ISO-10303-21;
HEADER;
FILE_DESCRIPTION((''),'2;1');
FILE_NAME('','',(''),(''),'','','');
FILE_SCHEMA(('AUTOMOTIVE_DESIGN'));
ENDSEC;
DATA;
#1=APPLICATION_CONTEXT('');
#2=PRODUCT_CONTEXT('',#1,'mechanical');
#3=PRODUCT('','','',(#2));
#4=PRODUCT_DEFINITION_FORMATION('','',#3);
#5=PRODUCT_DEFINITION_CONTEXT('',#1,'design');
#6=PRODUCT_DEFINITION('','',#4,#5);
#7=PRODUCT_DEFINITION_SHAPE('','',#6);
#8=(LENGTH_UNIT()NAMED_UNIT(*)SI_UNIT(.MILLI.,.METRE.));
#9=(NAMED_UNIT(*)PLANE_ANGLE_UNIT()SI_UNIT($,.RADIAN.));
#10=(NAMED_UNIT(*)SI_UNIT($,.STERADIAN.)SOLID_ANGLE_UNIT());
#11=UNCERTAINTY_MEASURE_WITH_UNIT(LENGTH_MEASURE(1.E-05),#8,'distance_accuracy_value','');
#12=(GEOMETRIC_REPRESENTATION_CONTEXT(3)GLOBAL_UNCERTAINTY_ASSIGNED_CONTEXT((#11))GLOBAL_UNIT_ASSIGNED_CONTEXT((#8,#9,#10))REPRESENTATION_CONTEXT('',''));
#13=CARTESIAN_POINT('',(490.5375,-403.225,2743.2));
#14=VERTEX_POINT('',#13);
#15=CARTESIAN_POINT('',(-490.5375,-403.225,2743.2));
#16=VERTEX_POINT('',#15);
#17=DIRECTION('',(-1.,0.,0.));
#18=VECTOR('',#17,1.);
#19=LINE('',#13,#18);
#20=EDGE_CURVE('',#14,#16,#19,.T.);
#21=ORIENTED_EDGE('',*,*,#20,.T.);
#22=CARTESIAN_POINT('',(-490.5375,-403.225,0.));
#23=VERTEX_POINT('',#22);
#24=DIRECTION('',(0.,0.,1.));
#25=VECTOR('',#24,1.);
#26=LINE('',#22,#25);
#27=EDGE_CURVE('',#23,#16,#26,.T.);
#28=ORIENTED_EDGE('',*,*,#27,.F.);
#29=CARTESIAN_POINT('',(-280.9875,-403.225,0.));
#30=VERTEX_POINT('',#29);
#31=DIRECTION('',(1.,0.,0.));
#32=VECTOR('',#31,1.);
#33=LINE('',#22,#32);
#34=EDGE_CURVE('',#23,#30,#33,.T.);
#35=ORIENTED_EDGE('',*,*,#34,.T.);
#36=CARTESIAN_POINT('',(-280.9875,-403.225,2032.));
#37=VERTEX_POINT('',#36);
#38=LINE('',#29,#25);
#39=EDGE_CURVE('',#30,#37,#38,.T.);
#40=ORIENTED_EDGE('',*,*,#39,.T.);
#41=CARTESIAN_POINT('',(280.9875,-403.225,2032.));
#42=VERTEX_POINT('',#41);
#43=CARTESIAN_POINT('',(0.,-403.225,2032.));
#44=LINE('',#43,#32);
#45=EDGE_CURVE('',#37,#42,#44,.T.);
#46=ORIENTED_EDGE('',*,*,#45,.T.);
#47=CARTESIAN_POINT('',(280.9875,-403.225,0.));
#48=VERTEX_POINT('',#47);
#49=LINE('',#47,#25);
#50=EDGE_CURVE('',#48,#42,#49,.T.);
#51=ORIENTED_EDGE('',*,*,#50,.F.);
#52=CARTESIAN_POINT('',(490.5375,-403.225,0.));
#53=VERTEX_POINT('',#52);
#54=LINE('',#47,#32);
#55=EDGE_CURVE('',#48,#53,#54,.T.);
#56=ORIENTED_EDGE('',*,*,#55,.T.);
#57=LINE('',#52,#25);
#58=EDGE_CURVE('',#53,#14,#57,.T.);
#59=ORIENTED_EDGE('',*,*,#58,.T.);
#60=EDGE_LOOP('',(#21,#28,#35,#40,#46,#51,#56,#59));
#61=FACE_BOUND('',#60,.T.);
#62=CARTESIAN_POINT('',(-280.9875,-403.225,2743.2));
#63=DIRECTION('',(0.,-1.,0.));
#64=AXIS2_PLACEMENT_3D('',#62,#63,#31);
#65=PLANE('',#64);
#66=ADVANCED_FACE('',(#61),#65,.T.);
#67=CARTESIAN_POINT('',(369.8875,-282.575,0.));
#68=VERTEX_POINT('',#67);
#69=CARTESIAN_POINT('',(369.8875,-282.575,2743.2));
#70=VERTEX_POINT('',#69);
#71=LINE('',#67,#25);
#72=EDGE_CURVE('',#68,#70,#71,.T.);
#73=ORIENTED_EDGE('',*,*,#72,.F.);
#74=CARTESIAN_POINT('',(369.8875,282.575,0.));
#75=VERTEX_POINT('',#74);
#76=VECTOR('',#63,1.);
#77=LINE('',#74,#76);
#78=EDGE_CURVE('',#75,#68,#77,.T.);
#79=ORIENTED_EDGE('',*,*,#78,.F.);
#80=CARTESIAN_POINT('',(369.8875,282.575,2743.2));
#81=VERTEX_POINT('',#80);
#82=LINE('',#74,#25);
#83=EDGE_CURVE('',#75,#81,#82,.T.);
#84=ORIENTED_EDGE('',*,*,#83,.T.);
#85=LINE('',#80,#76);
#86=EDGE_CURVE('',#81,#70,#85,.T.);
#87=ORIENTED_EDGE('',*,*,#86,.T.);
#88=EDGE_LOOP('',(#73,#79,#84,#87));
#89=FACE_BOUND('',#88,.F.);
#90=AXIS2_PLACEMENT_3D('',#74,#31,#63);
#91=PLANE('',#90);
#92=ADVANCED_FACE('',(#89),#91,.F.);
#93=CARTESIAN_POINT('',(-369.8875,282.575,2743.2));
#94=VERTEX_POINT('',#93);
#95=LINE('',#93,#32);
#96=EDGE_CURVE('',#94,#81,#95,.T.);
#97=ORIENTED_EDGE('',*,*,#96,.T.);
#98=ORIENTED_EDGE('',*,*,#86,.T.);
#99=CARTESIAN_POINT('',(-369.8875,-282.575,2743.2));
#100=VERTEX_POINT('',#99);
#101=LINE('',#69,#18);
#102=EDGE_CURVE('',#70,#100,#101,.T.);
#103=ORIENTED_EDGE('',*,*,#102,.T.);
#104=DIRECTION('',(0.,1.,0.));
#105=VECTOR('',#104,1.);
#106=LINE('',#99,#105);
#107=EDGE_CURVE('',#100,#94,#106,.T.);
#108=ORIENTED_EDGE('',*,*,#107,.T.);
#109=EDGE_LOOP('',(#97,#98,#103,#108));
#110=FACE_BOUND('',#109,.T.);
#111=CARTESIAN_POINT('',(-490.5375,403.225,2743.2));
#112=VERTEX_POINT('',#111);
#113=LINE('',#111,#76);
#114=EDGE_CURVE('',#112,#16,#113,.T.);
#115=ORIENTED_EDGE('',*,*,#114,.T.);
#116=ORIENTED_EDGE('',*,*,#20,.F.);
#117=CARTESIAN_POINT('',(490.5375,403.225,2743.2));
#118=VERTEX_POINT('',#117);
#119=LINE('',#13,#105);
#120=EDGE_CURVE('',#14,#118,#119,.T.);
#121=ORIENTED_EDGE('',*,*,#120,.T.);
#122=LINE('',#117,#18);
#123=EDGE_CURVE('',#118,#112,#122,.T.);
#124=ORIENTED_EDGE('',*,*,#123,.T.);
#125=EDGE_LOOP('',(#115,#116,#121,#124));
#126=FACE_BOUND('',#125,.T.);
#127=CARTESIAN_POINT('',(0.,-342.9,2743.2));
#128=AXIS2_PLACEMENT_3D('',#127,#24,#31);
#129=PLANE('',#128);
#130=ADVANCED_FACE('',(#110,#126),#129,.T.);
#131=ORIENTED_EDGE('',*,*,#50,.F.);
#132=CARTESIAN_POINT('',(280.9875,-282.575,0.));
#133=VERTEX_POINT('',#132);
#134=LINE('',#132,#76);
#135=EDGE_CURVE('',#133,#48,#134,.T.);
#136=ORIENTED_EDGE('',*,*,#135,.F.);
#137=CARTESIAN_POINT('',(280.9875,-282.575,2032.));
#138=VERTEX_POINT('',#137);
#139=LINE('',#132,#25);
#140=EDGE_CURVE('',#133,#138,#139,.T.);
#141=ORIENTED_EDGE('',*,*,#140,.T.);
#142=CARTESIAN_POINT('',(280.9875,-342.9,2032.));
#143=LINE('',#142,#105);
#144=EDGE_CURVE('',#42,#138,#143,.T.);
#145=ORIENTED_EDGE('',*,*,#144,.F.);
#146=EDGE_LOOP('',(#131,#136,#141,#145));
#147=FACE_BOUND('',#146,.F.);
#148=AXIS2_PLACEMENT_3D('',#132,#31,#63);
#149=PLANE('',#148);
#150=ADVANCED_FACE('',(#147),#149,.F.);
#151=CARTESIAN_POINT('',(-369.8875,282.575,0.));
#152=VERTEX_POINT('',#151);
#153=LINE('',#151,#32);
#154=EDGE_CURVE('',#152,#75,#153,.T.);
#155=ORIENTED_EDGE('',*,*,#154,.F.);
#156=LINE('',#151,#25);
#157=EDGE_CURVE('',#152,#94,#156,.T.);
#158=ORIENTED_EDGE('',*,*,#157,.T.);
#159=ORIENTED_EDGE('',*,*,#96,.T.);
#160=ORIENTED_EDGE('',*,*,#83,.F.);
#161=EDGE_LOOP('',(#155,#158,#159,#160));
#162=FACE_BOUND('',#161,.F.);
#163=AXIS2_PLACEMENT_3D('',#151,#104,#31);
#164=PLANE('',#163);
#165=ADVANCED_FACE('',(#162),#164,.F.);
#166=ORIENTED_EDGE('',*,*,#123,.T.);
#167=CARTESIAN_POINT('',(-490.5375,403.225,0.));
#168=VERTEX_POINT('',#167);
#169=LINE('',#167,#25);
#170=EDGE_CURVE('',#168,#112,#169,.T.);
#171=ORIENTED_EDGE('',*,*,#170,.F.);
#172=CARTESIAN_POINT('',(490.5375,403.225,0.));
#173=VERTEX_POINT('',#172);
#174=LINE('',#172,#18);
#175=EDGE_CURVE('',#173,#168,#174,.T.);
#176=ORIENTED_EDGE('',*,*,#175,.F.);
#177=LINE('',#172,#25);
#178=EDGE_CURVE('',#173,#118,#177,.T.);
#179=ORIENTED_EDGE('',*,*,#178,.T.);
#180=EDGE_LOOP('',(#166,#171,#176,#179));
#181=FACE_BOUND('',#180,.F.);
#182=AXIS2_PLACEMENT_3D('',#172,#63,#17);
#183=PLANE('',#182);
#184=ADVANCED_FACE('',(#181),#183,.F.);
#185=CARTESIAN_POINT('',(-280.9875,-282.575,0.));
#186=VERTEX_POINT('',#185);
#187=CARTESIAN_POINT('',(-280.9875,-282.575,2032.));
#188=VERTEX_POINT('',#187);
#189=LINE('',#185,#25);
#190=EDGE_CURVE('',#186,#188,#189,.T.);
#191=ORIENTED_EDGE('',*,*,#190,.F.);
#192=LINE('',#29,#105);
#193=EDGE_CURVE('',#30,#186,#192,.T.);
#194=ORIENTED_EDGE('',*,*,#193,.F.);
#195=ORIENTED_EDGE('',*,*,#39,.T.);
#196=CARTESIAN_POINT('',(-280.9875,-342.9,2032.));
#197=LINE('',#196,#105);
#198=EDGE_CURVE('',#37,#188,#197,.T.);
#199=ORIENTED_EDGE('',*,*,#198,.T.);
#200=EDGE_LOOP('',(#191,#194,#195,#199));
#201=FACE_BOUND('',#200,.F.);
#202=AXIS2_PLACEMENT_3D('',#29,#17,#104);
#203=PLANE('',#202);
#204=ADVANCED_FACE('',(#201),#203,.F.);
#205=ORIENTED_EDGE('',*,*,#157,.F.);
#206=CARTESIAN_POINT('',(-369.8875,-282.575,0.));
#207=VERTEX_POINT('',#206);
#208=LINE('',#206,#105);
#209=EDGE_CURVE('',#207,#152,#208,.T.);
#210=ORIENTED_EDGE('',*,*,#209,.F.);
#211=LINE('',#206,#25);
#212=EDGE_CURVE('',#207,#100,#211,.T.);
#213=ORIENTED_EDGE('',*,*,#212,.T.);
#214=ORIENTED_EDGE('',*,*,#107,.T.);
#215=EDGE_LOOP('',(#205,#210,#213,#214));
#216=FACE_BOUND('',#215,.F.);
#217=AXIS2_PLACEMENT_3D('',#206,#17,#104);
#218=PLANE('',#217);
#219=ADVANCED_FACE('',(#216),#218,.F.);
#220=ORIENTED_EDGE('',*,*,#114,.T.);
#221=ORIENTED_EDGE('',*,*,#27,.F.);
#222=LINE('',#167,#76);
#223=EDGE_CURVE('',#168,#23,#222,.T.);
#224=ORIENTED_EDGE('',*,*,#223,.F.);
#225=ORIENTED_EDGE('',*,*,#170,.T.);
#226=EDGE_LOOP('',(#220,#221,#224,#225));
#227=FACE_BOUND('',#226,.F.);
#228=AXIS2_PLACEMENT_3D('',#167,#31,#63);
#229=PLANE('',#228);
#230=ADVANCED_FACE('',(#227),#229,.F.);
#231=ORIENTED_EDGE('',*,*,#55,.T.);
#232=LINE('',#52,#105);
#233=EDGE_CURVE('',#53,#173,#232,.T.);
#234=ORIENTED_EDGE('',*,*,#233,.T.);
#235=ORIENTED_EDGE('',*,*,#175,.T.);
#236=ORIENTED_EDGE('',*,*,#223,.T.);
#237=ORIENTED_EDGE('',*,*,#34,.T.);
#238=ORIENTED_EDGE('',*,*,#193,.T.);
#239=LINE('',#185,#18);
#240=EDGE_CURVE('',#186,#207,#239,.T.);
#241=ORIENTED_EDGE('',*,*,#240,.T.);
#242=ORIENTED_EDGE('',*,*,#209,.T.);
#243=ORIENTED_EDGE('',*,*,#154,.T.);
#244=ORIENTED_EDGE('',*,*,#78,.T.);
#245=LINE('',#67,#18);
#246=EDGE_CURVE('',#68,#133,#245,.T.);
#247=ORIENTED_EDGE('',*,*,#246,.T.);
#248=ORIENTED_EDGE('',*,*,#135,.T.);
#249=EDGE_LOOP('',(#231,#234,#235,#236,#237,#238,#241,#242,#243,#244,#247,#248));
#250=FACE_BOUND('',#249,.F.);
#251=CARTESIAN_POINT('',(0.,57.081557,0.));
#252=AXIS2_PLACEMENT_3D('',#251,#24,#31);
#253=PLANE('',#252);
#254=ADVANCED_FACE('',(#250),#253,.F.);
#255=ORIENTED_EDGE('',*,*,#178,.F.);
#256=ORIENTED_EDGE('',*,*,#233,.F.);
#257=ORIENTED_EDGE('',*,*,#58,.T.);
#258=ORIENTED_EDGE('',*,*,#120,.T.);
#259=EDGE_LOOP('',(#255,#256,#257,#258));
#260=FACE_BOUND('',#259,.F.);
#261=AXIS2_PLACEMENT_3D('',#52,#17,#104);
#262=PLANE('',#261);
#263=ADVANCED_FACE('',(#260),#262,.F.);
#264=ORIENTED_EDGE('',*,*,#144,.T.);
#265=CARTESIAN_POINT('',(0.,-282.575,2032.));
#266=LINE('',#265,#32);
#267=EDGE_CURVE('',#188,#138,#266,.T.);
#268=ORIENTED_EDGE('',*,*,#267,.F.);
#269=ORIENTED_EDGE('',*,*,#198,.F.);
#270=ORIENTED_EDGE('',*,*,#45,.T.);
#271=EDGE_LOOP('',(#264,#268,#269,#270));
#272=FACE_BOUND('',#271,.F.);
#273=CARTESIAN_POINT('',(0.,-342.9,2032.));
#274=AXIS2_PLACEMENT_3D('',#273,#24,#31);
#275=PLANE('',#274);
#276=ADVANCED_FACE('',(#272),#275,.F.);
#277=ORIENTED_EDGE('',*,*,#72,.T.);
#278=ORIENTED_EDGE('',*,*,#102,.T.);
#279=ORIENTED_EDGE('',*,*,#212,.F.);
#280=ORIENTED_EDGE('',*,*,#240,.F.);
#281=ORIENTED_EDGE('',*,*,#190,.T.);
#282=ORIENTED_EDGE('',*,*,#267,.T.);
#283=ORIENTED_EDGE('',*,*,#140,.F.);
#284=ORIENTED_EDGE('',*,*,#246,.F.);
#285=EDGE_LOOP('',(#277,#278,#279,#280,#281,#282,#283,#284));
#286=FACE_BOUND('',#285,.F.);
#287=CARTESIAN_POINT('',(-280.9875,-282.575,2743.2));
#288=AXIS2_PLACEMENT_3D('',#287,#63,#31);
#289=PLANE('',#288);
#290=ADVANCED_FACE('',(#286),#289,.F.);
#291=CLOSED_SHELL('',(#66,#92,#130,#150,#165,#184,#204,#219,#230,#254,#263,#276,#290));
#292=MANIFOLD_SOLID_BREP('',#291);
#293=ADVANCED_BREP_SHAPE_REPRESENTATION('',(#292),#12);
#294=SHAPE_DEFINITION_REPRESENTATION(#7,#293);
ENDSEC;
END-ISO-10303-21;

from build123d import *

# Parameters (mm, degrees)
F1_DEPTH = 2743.2
F2_W     = 561.975
F2_H     = 120.65
F3_DEPTH = 711.2


with BuildPart() as f1:
    # F0 (on Top) → F1 (new body)
    with BuildSketch(Plane.XY):
        Polygon((-280.9875, -403.225), (-280.9875, -282.575), (-369.8875, -282.575), (-369.8875, 282.575), (369.8875, 282.575), (369.8875, -282.575), (280.9875, -282.575), (280.9875, -403.225), (490.5375, -403.225), (490.5375, 403.225), (-490.5375, 403.225), (-490.5375, -403.225), align=None)
    extrude(amount=F1_DEPTH)

    # F2 (on face) → F3 (join)
    with BuildSketch(Plane.XY.offset(2743.2)):
        with Locations((0, -342.9)):
            Rectangle(F2_W, F2_H)
    extrude(amount=-F3_DEPTH)


solid = f1.part
